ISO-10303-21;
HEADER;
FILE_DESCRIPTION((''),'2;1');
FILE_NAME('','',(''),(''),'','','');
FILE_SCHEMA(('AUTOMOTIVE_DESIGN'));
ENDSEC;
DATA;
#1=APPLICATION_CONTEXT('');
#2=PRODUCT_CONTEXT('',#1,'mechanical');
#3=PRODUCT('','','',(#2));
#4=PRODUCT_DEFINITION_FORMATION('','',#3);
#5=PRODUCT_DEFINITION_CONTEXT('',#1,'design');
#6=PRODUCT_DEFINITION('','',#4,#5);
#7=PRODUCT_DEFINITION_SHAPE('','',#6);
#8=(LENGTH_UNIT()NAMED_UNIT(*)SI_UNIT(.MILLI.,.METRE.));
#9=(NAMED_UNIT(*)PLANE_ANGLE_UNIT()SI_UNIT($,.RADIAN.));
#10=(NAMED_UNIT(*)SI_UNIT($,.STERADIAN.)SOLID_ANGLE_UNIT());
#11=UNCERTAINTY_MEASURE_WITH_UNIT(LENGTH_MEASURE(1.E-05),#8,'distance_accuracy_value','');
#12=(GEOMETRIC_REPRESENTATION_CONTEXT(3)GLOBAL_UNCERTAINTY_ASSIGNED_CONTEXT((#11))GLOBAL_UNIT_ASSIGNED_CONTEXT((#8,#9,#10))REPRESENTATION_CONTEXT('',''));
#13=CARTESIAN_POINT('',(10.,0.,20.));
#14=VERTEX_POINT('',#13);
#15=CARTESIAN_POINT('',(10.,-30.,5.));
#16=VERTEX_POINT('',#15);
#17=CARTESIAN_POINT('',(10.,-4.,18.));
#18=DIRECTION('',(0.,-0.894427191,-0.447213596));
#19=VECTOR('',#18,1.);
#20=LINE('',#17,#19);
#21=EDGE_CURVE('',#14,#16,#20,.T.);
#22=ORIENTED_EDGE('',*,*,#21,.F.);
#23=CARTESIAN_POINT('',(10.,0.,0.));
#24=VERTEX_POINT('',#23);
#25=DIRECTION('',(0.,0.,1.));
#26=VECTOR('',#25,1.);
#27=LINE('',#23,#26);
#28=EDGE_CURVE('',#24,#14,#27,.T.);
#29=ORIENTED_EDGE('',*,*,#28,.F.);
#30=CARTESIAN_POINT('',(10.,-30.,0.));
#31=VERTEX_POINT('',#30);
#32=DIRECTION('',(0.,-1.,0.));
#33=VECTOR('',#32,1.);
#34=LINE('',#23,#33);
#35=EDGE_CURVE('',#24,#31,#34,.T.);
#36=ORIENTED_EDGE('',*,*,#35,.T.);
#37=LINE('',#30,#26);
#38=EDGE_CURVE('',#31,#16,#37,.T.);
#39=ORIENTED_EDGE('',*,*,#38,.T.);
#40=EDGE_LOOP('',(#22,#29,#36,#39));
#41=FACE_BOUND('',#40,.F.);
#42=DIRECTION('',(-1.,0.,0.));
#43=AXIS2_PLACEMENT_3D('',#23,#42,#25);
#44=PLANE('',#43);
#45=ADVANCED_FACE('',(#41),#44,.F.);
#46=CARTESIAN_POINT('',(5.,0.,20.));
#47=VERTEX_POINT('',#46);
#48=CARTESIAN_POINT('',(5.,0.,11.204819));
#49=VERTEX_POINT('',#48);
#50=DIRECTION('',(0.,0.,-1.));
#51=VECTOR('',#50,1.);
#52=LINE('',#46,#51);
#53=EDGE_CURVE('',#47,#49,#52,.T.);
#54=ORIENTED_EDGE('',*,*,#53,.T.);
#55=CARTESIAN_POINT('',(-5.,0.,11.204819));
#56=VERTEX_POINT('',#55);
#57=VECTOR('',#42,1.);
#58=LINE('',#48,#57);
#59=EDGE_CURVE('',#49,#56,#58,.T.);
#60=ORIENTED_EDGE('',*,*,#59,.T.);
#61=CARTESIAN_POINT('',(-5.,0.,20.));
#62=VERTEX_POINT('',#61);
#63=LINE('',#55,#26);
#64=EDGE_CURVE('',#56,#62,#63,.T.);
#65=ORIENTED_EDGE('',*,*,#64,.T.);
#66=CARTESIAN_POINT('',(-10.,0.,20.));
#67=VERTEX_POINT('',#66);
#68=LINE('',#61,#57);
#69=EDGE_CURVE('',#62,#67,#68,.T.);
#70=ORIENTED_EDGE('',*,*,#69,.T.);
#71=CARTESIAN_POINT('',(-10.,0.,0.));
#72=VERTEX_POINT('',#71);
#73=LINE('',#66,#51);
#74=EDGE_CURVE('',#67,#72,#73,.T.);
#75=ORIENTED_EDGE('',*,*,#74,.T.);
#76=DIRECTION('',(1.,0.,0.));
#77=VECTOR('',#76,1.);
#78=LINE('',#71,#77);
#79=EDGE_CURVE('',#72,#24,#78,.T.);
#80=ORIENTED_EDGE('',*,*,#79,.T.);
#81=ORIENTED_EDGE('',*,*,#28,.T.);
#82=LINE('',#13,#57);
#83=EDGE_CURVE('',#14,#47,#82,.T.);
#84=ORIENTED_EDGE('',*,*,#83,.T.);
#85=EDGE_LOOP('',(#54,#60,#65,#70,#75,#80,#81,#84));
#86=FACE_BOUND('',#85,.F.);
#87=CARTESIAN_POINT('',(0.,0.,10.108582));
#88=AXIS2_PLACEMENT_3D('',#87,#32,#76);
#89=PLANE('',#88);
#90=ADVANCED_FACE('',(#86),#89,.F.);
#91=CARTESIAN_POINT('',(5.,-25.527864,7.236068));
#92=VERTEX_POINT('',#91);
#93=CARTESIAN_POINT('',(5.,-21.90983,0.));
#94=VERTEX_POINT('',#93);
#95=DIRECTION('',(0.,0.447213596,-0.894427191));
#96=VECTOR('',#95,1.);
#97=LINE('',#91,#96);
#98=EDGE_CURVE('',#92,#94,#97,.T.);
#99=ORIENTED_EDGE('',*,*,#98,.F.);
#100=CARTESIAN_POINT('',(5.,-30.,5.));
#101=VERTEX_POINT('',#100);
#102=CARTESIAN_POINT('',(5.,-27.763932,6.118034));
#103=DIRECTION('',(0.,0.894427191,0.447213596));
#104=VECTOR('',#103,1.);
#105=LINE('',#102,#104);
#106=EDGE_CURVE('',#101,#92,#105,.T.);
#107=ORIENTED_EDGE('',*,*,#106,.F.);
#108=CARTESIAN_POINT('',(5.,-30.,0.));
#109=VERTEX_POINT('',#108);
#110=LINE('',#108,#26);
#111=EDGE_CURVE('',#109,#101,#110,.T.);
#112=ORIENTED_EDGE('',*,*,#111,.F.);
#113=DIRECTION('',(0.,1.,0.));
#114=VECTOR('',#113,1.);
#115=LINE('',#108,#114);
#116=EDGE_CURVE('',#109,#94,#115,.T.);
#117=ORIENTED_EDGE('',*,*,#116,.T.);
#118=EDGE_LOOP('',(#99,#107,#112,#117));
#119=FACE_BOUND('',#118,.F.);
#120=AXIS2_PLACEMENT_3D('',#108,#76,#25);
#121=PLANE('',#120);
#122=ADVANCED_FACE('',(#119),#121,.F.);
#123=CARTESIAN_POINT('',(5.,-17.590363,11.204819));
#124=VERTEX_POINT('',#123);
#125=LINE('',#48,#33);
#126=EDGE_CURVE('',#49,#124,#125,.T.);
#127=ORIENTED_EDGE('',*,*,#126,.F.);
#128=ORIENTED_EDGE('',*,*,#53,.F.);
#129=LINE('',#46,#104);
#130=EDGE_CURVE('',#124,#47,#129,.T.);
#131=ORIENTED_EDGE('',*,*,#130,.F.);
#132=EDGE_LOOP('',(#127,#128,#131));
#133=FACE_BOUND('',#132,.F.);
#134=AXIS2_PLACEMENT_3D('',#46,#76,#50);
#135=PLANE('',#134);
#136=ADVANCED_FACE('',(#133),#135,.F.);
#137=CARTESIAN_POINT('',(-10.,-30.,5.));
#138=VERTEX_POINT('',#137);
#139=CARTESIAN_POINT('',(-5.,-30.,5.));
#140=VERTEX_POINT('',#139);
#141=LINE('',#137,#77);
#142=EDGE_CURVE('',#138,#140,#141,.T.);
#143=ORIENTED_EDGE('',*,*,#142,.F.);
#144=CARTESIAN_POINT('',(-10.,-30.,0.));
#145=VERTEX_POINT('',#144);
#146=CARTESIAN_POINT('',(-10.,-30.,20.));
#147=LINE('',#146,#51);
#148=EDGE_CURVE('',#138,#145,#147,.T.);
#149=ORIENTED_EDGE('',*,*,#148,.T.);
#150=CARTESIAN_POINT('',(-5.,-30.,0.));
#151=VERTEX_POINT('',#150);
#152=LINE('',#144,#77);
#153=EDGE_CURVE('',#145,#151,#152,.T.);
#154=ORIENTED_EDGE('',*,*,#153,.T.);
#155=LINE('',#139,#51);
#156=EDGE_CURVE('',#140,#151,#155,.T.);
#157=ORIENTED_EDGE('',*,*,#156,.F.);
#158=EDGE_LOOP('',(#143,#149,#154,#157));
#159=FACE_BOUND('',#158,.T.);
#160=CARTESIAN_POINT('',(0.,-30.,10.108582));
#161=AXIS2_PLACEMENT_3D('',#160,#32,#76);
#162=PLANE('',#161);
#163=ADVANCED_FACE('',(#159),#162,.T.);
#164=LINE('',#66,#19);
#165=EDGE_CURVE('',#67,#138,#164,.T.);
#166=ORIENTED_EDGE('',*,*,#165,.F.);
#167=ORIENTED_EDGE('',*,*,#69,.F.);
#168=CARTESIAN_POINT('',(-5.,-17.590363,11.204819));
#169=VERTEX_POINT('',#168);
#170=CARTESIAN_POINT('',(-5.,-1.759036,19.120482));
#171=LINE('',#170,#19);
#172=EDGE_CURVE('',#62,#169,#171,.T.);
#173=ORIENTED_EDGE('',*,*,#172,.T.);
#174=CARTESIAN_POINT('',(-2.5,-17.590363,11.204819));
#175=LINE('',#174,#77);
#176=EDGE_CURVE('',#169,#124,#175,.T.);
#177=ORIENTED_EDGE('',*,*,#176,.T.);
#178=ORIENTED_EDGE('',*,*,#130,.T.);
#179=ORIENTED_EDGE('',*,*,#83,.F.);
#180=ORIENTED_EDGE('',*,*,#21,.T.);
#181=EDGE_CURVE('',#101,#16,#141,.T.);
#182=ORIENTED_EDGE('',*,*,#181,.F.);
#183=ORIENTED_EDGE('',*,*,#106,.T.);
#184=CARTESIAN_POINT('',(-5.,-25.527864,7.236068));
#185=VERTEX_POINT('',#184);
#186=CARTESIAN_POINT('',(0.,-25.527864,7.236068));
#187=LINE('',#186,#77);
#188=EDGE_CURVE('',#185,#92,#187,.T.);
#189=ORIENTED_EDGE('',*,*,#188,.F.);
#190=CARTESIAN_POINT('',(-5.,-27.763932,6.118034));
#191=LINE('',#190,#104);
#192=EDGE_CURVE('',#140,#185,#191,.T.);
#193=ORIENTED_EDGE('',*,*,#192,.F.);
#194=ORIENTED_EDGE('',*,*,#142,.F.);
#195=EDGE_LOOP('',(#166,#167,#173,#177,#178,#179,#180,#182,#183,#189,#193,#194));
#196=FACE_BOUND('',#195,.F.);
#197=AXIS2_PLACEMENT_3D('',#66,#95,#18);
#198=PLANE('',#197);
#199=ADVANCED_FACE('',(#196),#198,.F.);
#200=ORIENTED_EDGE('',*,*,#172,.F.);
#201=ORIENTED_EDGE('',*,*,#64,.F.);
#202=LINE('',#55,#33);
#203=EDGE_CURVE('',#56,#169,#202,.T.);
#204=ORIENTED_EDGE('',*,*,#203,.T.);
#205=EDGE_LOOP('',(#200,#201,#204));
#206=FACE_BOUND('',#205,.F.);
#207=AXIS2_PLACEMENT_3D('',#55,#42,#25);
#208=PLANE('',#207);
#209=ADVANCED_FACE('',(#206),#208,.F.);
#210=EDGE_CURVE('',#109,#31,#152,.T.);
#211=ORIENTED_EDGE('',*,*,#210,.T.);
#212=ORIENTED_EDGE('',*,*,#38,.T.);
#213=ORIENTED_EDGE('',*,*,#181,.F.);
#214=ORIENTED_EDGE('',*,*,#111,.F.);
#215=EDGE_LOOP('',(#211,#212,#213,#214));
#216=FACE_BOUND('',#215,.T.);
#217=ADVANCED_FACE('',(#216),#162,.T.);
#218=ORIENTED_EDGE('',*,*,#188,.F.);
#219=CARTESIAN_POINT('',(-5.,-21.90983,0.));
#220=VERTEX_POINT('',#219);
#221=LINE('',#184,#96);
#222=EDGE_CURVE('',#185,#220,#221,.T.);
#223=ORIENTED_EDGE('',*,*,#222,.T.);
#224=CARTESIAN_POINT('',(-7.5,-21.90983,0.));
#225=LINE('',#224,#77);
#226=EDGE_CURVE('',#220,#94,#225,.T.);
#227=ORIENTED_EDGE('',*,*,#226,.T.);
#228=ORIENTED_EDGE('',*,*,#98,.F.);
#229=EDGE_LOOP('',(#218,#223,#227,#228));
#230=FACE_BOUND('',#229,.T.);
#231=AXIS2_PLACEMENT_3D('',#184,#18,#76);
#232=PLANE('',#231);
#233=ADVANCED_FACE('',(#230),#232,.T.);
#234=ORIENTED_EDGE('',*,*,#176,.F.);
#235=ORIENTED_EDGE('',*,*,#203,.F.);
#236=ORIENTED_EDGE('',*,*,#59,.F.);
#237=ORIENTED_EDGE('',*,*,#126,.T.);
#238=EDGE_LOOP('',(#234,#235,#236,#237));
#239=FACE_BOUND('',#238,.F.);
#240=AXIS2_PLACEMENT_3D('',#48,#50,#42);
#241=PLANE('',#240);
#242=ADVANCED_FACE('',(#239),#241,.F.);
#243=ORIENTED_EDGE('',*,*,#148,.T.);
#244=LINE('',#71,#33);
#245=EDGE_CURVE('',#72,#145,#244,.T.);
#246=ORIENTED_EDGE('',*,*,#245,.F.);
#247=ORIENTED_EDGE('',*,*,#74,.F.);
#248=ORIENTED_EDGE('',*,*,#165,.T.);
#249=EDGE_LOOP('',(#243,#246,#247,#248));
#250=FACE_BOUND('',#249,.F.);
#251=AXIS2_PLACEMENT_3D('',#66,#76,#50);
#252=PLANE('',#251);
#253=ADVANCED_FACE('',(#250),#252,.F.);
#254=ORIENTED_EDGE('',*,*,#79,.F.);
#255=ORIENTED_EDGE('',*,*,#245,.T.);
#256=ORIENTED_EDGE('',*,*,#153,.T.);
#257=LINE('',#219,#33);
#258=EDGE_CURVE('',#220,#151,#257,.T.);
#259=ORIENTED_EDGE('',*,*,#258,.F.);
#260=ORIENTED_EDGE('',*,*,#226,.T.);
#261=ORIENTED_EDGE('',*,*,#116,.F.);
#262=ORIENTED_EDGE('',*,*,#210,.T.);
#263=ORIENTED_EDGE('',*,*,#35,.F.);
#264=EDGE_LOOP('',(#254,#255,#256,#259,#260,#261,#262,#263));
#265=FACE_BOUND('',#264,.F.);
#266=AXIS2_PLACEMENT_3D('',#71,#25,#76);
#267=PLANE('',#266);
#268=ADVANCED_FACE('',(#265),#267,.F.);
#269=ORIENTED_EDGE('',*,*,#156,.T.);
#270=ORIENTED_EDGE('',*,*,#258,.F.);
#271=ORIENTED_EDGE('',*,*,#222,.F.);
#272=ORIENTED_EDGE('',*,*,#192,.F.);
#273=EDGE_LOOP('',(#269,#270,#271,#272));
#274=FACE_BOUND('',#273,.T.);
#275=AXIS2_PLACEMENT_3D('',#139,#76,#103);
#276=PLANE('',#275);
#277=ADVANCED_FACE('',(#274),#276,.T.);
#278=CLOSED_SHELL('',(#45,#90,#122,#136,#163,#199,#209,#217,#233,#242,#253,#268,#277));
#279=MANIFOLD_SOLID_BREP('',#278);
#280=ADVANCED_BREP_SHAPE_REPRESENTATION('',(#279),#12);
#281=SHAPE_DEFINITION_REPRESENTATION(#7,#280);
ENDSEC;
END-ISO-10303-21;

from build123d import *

# Parameters (mm, degrees)
F1_DEPTH = 30
F3_DEPTH = 20.001
F5_DEPTH = 5
F6_W     = 10
F6_H     = 5
F7_DEPTH = 17.88954382


with BuildPart() as f1:
    # F0 (on Front) → F1 (new body)
    with BuildSketch(Plane.XZ):
        Polygon((-10, 20), (-10, 0), (10, 0), (10, 20), (5, 20), (5, 11.2048187231), (-5, 11.2048187231), (-5, 20), align=None)
    extrude(amount=F1_DEPTH)

    # F2 (on face) → F3 (cut, through all)
    with BuildSketch(Plane(origin=(-10, 0, 0), x_dir=(0, -1, 0), z_dir=(-1, 0, 0))):
        Polygon((0, 20), (30, 5), (30, 20), align=None)
    extrude(amount=-F3_DEPTH, mode=Mode.SUBTRACT)

    # F4 (on face) → F5 (cut)
    with BuildSketch(Plane.XZ.offset(30)):
        Polygon((-5, 2.5), (-5, 0), (5, 0), (5, 2.5), (5, 5), (-5, 5), align=None)
    extrude(amount=-F5_DEPTH, mode=Mode.SUBTRACT)

    # F6 (on face) → F7 (cut, through all)
    with BuildSketch(Plane(origin=(0, -8, 16), x_dir=(1, 0, 0), z_dir=(0, -0.4472135955, 0.894427191))):
        with Locations((0, -22.0967477525)):
            Rectangle(F6_W, F6_H)
    extrude(amount=-F7_DEPTH, mode=Mode.SUBTRACT)


solid = f1.part
